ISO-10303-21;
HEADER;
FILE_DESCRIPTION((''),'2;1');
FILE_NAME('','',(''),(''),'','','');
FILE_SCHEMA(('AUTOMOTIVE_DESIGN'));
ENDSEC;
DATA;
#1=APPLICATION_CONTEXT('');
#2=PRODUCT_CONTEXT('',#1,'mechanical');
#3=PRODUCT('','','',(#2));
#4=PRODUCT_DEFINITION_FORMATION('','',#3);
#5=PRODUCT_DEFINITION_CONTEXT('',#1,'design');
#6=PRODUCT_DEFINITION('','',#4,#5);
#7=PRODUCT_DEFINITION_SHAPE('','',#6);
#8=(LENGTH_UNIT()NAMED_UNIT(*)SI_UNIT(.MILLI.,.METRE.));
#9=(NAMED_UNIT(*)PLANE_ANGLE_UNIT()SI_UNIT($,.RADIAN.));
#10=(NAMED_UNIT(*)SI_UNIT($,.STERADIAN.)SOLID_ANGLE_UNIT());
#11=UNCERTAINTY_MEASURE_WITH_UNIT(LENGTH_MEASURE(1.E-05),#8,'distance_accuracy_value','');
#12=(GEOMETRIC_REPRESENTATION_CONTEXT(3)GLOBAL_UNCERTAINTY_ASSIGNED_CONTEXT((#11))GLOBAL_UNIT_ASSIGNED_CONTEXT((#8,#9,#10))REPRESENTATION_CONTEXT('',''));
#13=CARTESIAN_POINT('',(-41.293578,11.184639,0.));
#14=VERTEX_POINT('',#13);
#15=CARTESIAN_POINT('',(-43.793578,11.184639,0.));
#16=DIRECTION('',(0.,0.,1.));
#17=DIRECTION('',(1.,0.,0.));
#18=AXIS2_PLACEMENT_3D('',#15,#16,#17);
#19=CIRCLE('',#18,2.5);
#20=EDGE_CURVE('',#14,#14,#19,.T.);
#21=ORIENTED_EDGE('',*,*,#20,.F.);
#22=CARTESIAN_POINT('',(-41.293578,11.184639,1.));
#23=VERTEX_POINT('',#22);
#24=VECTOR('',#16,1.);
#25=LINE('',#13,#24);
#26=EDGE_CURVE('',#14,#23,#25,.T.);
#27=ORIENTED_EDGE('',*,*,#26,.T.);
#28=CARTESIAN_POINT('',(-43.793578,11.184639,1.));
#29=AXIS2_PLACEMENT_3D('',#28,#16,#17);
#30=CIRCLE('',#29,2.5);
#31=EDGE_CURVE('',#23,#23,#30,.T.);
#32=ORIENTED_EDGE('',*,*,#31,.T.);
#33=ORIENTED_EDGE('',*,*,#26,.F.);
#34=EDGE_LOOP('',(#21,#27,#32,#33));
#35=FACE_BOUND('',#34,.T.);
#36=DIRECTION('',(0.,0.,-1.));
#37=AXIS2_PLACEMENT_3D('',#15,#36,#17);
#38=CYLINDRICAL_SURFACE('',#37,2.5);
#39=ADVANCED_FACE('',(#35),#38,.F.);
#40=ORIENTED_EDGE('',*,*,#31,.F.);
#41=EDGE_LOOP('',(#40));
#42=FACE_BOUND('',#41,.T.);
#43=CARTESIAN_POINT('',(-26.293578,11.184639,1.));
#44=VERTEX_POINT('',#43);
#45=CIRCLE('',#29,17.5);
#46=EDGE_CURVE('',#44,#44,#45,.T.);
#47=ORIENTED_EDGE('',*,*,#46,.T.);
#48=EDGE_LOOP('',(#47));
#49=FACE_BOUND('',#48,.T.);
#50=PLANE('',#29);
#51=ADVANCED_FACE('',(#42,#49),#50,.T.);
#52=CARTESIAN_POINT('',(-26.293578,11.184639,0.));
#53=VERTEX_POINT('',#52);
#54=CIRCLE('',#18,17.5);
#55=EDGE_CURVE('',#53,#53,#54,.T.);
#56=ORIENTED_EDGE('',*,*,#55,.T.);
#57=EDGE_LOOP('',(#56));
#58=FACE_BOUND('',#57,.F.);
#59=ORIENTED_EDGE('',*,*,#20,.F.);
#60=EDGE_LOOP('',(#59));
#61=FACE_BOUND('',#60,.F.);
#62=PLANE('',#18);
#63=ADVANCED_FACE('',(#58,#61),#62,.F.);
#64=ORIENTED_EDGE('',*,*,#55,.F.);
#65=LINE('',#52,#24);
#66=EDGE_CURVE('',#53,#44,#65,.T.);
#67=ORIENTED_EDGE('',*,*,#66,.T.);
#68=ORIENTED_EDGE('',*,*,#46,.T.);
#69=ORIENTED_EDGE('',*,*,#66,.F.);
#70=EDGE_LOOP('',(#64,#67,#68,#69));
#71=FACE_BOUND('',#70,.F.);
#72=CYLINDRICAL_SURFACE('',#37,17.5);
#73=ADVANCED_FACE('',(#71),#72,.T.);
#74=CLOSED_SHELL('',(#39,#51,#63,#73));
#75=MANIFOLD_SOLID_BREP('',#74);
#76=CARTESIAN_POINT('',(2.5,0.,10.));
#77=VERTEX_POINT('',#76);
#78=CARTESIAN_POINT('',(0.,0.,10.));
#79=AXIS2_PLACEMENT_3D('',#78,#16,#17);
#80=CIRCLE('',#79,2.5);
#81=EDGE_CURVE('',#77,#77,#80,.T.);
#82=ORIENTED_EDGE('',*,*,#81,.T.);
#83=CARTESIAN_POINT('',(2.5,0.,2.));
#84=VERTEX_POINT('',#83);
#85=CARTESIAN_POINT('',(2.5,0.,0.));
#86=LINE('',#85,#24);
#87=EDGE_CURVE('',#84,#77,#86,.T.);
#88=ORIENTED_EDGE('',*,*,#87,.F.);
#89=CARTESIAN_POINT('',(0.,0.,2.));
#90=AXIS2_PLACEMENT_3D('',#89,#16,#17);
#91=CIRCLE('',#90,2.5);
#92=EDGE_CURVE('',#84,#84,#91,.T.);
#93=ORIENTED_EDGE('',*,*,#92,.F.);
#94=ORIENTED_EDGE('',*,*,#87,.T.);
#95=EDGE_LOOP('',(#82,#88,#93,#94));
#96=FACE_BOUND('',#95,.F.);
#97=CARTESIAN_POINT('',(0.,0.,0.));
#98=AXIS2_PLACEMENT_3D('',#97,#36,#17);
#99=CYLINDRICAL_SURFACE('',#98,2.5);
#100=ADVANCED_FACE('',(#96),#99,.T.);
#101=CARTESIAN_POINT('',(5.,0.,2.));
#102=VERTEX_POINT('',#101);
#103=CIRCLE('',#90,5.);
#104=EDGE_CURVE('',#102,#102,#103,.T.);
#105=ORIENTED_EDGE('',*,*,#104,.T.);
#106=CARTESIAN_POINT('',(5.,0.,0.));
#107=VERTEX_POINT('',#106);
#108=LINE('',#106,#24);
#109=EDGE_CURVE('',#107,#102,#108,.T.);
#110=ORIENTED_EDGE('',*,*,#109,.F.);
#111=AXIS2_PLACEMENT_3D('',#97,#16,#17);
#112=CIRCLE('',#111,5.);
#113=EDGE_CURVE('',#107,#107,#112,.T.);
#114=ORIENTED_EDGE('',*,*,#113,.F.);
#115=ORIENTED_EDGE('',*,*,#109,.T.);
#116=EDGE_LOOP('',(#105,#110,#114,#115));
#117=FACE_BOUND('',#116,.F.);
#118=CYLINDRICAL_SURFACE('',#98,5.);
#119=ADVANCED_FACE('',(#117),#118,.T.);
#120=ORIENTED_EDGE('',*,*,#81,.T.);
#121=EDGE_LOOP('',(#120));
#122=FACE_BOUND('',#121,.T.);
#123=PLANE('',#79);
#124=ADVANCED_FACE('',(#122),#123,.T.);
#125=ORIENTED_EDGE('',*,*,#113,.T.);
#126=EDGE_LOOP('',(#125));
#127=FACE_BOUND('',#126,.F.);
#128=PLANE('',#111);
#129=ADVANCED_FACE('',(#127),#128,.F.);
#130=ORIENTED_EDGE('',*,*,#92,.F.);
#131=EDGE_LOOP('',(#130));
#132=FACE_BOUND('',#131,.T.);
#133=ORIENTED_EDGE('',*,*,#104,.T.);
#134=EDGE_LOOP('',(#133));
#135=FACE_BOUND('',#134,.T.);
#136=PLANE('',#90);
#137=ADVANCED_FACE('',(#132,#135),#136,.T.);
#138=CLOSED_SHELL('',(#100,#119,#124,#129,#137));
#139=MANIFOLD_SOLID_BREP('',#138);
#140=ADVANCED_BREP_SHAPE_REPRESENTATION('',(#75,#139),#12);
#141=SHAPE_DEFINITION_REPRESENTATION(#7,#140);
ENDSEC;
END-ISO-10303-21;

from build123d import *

# Parameters (mm, degrees)
F0_R     = 5
F0_R_2   = 2.5
F1_DEPTH = 2
F2_R     = 17.5
F2_R_2   = 2.5
F3_DEPTH = 1
F4_R     = 2.5
F5_DEPTH = 10


with BuildPart() as f1:
    # F0 (on Top) → F1 (new body)
    with BuildSketch(Plane.XY):
        Circle(F0_R)
        Circle(F0_R_2, mode=Mode.SUBTRACT)
    extrude(amount=F1_DEPTH)

    # F4 (on Top) → F5 (join)
    with BuildSketch(Plane.XY):
        Circle(F4_R)
    extrude(amount=F5_DEPTH)


with BuildPart() as f3:
    # F2 (on Top) → F3 (new body)
    with BuildSketch(Plane.XY):
        with Locations((-43.793578, 11.184639)):
            Circle(F2_R)
        with Locations((-43.793578, 11.184639)):
            Circle(F2_R_2, mode=Mode.SUBTRACT)
    extrude(amount=F3_DEPTH)


solid = Compound([f1.part, f3.part])
